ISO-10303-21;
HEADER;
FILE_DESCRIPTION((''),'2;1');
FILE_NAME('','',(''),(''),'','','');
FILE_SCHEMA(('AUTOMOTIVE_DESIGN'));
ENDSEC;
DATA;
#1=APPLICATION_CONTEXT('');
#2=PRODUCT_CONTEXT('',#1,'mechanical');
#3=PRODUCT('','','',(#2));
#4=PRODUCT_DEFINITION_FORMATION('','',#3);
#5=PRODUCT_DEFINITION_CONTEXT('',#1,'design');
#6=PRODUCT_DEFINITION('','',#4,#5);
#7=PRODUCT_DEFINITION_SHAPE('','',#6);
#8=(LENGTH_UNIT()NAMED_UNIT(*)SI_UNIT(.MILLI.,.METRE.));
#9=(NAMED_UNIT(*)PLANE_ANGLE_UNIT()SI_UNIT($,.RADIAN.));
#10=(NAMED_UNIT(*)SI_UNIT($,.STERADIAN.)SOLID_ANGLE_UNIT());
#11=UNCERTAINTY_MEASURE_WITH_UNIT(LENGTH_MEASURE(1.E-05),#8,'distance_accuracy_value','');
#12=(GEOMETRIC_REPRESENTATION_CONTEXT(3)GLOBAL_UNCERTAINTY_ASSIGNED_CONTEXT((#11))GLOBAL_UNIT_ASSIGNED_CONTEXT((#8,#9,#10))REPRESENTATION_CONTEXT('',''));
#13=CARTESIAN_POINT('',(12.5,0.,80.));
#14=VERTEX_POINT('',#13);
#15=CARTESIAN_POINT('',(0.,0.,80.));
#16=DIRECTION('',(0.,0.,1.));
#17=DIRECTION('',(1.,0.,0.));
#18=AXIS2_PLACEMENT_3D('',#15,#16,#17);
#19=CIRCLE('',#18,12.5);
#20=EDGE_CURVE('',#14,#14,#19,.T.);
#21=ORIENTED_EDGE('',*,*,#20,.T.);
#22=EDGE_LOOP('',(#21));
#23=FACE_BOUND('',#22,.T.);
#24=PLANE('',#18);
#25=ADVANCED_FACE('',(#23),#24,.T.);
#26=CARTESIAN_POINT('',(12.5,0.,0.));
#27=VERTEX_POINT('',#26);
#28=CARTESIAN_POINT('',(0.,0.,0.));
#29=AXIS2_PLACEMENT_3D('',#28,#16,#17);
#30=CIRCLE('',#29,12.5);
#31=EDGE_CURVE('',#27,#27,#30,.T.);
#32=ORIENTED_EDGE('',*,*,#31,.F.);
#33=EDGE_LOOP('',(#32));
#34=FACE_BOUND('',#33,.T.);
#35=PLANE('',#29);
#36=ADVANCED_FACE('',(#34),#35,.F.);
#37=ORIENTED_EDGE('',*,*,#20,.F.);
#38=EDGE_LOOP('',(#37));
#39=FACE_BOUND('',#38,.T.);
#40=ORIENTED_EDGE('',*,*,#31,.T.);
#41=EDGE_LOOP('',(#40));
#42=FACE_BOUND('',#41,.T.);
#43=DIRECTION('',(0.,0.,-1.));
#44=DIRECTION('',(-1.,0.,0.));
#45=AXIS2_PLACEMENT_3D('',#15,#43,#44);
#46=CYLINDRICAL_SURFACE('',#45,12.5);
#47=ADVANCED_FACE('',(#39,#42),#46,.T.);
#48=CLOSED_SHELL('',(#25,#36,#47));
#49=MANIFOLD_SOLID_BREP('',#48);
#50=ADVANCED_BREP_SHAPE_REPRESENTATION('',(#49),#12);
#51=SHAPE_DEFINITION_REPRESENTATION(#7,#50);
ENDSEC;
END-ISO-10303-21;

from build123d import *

# Parameters (mm, degrees)
ESQUISSE1_R        = 12.5
BOSS_EXTRU_1_DEPTH = 80


with BuildPart() as part:
    # Esquisse1 → Boss.-Extru.1 (new body)
    with BuildSketch(Plane.XY):
        Circle(ESQUISSE1_R)
    extrude(amount=BOSS_EXTRU_1_DEPTH)


solid = part.part
